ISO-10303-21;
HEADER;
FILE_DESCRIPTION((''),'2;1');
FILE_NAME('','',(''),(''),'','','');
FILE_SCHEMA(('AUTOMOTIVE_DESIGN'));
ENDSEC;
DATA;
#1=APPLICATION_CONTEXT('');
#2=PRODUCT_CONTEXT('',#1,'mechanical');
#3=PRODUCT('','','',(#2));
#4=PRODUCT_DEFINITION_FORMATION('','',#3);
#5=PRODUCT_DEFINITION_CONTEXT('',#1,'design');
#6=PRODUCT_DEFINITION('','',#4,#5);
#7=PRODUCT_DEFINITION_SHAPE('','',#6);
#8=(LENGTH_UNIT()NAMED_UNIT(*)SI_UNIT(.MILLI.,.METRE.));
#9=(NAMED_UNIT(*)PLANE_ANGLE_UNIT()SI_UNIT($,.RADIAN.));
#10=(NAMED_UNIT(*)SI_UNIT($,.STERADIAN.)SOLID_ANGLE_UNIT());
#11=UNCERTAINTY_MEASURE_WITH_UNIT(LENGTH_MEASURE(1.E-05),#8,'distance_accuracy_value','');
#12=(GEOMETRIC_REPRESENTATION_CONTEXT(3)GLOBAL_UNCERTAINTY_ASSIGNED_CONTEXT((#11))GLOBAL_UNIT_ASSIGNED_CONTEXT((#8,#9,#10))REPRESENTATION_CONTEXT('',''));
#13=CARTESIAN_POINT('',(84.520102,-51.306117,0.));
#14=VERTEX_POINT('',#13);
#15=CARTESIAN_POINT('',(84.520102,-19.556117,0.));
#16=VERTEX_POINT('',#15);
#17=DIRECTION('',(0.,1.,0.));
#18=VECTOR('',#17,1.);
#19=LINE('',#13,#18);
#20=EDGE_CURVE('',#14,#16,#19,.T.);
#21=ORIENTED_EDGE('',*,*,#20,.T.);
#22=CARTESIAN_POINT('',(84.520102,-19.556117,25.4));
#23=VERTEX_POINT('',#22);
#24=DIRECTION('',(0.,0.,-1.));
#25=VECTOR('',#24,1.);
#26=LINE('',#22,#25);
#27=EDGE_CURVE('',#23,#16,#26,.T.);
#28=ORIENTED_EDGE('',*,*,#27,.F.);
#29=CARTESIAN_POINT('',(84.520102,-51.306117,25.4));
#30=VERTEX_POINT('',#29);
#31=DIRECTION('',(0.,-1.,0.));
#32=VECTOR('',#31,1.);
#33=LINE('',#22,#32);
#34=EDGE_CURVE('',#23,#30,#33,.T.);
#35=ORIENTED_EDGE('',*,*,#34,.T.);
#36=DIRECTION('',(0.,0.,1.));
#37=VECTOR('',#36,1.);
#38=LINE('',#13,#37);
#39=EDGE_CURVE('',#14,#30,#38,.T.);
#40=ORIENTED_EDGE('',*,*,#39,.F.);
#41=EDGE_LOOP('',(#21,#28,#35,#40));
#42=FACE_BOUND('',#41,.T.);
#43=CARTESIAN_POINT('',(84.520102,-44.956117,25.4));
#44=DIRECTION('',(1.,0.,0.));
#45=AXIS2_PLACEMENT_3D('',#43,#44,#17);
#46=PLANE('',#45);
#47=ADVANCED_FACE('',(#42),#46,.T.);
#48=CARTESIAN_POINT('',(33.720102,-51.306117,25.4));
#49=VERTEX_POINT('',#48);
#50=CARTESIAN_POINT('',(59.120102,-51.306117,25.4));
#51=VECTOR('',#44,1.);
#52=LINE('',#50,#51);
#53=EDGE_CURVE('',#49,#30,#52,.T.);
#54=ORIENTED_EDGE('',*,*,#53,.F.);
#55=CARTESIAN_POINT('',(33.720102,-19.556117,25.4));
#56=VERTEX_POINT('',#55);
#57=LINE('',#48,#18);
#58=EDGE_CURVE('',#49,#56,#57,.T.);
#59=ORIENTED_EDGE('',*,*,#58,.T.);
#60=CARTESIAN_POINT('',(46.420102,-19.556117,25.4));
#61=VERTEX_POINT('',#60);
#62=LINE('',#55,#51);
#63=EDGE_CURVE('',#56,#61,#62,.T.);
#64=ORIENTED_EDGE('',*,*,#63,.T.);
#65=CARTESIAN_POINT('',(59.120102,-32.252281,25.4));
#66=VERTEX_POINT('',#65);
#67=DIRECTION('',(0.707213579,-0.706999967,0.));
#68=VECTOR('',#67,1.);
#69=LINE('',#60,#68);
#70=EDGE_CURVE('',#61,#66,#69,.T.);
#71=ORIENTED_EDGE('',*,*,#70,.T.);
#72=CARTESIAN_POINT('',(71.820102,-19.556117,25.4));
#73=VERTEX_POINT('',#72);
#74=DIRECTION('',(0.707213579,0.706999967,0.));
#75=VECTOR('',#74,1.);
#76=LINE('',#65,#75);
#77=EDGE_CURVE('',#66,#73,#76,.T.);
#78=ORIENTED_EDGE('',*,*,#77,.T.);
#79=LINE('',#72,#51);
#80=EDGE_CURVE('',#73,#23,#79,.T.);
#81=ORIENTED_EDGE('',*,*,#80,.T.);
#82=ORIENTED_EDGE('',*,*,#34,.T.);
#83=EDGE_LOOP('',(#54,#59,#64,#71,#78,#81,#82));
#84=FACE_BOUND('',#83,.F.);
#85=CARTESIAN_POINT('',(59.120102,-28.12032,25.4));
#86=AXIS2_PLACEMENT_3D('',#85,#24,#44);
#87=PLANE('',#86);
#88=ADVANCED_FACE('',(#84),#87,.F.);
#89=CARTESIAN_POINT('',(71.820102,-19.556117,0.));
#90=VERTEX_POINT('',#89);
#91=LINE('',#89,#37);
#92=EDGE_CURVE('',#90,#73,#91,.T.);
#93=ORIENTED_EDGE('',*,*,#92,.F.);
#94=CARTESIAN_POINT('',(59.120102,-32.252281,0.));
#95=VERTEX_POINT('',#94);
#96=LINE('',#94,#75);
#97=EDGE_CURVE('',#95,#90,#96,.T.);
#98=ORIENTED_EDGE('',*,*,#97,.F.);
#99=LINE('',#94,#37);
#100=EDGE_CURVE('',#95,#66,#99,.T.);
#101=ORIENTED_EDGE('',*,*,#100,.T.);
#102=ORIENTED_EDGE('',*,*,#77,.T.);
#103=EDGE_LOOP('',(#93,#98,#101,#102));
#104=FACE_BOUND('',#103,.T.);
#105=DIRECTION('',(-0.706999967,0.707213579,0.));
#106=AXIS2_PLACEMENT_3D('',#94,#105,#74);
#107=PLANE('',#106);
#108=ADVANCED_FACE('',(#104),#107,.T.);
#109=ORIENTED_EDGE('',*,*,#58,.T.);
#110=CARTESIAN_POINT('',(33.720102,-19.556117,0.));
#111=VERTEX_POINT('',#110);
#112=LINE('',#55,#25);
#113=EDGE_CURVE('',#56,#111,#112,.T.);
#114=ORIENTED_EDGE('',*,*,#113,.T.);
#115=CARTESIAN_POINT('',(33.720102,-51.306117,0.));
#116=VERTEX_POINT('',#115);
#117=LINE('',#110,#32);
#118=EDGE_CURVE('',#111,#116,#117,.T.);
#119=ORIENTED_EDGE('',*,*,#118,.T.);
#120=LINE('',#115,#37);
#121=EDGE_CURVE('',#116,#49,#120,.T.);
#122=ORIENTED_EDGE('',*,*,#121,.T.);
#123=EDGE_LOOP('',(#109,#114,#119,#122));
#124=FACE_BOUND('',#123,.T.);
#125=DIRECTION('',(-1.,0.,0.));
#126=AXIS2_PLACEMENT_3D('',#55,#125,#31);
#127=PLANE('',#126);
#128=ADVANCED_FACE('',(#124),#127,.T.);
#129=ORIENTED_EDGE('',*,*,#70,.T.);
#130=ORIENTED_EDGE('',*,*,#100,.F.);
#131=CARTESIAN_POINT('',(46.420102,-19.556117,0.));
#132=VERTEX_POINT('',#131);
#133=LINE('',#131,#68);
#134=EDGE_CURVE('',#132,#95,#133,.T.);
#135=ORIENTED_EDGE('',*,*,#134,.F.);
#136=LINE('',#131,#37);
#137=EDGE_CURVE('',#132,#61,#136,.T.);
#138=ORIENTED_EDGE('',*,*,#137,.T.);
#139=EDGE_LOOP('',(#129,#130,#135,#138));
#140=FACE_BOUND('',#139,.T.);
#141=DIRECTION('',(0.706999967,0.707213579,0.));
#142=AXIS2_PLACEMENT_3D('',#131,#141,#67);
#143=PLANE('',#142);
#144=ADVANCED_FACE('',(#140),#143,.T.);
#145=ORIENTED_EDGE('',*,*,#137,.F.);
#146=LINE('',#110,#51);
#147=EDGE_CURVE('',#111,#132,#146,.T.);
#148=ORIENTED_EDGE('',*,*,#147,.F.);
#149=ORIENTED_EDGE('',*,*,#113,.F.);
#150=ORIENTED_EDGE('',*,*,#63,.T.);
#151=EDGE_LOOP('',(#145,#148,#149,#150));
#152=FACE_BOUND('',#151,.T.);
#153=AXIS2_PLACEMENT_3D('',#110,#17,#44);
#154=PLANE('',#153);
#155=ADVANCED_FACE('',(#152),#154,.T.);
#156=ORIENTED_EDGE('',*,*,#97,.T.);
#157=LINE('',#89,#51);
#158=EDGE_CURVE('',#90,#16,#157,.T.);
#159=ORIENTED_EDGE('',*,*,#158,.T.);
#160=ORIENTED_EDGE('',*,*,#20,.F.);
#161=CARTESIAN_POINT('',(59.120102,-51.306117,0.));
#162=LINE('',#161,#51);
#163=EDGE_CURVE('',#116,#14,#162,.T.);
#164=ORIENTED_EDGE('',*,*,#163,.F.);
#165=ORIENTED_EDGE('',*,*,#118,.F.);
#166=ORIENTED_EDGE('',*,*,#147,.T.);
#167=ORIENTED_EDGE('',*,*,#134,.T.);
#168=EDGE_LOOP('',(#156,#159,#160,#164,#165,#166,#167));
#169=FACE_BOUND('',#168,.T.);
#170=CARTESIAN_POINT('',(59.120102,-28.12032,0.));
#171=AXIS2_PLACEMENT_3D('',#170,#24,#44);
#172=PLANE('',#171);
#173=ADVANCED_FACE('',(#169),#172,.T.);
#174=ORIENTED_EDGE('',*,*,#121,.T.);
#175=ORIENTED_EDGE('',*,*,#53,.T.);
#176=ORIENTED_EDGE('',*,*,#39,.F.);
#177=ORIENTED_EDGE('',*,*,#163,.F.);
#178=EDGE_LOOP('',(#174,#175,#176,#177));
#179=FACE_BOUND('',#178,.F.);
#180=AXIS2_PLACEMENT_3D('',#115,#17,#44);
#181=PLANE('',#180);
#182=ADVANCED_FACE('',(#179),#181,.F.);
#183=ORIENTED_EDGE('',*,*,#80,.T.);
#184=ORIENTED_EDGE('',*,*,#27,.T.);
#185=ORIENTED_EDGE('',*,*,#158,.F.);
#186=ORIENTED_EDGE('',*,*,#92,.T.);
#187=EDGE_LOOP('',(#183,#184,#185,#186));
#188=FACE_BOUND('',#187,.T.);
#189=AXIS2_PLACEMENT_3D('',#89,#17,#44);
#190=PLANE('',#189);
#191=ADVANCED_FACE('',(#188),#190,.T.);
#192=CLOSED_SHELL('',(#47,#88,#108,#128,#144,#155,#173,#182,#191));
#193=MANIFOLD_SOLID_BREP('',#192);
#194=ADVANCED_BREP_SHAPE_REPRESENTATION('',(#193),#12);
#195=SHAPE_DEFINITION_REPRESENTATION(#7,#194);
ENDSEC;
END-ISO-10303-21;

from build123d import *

# Parameters (mm, degrees)
F0_W     = 50.8
F0_H     = 6.35
F1_DEPTH = 25.4
F3_DEPTH = 25.4
F5_DEPTH = 25.4
F7_DEPTH = 25.4


with BuildPart() as f1:
    # F0 (on Top) → F1 (new body)
    with BuildSketch(Plane.XY):
        with Locations((59.120102, -48.131117)):
            Rectangle(F0_W, F0_H)
    extrude(amount=F1_DEPTH)

    # F2 (on face) → F3 (join)
    with BuildSketch(Plane.XY.offset(25.4)):
        Polygon((59.120102, -44.956117), (84.520102, -44.956117), (84.520102, -19.556117), align=None)
    extrude(amount=-F3_DEPTH)

    # F4 (on face) → F5 (join)
    with BuildSketch(Plane.XY.offset(25.4)):
        Polygon((33.720102, -19.556117), (33.720102, -44.956117), (59.120102, -44.956117), align=None)
    extrude(amount=-F5_DEPTH)

    # F6 (on face) → F7 (join)
    with BuildSketch(Plane(origin=(0, 0, 0), x_dir=(1, 0, 0), z_dir=(0, 0, -1))):
        Polygon((71.820102, 19.556117), (84.520102, 19.556117), (59.120102, 44.956117), (33.720102, 19.556117), (46.420102, 19.556117), (59.120102, 32.252281), align=None)
    extrude(amount=-F7_DEPTH)


solid = f1.part
